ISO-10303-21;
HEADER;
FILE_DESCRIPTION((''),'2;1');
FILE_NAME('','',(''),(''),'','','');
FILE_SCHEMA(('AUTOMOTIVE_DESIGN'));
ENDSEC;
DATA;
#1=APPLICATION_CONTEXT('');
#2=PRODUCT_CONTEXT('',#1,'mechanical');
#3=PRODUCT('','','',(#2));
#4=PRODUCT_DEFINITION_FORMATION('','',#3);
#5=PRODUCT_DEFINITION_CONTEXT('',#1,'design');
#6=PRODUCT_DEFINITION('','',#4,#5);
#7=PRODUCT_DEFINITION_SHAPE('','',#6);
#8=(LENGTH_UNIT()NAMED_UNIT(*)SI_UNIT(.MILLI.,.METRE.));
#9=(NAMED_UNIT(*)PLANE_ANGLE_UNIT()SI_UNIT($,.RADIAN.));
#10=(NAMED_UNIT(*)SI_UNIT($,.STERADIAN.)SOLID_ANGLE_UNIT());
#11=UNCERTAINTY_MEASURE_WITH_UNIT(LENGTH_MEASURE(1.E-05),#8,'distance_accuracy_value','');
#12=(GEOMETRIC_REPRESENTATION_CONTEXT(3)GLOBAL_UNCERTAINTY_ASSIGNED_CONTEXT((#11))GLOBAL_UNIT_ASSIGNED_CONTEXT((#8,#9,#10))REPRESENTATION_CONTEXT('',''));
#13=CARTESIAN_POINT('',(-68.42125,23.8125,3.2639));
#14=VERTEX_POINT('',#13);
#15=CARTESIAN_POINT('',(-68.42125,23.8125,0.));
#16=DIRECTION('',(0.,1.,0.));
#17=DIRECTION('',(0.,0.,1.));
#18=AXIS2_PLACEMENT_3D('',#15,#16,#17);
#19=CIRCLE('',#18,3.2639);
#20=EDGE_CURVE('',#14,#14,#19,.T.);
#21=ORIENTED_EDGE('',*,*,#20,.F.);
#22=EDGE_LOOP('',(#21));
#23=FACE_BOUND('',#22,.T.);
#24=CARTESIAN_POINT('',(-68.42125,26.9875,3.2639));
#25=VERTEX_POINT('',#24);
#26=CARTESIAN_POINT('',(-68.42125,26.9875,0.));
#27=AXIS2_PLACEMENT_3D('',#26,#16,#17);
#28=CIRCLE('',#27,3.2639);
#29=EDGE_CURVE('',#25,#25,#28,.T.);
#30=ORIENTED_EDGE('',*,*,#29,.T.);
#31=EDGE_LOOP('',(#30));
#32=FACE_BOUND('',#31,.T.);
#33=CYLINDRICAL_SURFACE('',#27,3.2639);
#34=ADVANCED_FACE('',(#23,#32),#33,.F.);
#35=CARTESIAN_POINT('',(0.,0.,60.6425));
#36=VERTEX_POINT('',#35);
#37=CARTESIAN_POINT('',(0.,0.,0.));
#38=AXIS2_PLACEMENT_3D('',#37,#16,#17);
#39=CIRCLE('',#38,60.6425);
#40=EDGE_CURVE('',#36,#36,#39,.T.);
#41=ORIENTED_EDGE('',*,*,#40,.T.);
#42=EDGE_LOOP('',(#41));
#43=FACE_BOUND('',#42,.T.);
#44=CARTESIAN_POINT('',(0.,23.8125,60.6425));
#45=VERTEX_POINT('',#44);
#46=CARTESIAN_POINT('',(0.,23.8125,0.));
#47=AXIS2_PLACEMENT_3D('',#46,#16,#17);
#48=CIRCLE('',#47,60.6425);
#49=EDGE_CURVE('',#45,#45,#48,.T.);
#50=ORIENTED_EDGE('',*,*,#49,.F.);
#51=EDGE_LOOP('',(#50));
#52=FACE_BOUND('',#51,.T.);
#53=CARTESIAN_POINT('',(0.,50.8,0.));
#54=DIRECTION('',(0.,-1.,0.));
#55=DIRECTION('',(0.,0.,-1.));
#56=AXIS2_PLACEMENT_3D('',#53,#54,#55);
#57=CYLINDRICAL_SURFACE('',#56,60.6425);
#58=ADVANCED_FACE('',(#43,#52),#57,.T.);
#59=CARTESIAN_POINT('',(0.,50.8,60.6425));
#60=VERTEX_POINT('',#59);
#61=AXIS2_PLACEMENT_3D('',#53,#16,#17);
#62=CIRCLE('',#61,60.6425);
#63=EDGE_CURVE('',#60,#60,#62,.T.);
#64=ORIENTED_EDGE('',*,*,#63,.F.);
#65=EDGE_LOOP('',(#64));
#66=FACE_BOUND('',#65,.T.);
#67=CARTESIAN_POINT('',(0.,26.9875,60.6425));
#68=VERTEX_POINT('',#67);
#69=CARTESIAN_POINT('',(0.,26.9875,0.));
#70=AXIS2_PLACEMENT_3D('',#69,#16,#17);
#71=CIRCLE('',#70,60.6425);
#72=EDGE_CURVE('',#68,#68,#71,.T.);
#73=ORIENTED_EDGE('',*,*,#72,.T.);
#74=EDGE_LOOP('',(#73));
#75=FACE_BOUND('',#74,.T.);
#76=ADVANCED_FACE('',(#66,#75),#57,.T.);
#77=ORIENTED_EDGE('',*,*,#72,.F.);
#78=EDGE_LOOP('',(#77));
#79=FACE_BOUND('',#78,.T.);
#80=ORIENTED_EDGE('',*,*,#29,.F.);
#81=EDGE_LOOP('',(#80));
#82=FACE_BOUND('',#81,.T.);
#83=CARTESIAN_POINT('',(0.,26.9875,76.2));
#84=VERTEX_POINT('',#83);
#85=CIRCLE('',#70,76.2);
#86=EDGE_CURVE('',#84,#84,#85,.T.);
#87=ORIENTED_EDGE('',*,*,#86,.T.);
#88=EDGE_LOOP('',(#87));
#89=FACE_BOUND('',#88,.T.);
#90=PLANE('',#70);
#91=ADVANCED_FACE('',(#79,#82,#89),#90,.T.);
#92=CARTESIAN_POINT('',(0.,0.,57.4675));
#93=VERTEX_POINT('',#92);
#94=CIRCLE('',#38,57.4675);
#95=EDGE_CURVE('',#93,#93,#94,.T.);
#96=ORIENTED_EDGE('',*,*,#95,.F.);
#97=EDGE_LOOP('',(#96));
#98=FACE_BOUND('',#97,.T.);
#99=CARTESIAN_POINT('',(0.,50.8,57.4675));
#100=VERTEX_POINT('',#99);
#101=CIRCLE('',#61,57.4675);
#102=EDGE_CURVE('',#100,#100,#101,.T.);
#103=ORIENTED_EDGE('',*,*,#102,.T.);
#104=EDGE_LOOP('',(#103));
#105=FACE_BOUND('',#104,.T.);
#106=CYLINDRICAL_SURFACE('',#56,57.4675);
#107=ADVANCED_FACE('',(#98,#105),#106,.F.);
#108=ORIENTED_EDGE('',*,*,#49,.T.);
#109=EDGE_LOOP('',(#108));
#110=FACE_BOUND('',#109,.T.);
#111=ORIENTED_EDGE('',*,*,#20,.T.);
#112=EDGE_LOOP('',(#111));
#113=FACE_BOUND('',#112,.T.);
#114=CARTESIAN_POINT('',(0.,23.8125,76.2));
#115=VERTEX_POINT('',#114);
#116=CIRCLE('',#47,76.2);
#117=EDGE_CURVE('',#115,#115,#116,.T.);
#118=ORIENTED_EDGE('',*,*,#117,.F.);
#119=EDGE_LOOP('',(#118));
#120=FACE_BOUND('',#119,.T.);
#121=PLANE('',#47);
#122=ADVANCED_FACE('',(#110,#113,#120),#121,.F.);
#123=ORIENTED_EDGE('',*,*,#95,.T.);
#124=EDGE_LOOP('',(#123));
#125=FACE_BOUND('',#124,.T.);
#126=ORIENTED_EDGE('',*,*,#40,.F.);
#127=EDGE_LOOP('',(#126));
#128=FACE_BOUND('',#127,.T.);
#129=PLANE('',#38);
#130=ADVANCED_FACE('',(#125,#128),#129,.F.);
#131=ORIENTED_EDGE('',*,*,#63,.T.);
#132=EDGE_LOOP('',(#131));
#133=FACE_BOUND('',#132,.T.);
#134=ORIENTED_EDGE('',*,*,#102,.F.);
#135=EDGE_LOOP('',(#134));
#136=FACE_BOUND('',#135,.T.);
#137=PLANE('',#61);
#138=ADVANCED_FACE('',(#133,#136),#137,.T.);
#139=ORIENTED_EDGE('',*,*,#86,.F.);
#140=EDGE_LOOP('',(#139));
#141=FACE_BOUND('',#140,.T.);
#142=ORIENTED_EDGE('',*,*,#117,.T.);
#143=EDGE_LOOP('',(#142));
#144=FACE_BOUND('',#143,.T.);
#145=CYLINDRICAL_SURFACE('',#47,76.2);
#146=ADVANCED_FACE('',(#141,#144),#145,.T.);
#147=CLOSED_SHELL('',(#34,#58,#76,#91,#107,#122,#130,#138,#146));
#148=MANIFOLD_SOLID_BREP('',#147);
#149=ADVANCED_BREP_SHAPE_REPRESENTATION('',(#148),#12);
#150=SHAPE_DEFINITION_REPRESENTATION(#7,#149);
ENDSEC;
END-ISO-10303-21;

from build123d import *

# Parameters (mm, degrees)
SKETCH1_R                   = 60.6425
SKETCH1_R_2                 = 57.4675
BOSS_EXTRUDE1_DEPTH         = 50.8
BOSS_EXTRUDE2_START         = -26.9875
SKETCH2_R                   = 76.2
SKETCH2_R_2                 = 60.6425
BOSS_EXTRUDE2_DEPTH         = 3.175
F_1_4_CLEARANCE_HOLE1_D     = 6.5278
F_1_4_CLEARANCE_HOLE1_DEPTH = 38.354
F_1_4_CLEARANCE_HOLE1_TIP   = 1.961148974


with BuildPart() as part:
    # Sketch1 → Boss-Extrude1 (new body)
    with BuildSketch(Plane(origin=(0, 0, 0), x_dir=(1, 0, 0), z_dir=(0, 1, 0))):
        with Locations(Location((0, 0, 0), (0, 0, 270))):
            Circle(SKETCH1_R)
        with Locations(Location((0, 0, 0), (0, 0, 270))):
            Circle(SKETCH1_R_2, mode=Mode.SUBTRACT)
    extrude(amount=BOSS_EXTRUDE1_DEPTH)

    # Sketch2 → Boss-Extrude2 (add)
    with BuildSketch(Plane(origin=(0, 50.8, 0), x_dir=(1, 0, 0), z_dir=(0, 1, 0)).offset(BOSS_EXTRUDE2_START)):
        with Locations(Location((0, 0, 0), (0, 0, 270))):
            Circle(SKETCH2_R)
        with Locations(Location((0, 0, 0), (0, 0, 270))):
            Circle(SKETCH2_R_2, mode=Mode.SUBTRACT)
    extrude(amount=BOSS_EXTRUDE2_DEPTH)

    # 1/4 Clearance Hole1
    with Locations(Plane(origin=(0, 26.9875, 0), x_dir=(1, 0, 0), z_dir=(0, 1, 0))):
        with Locations((-68.42125, 0)):
            Hole(F_1_4_CLEARANCE_HOLE1_D / 2, depth=F_1_4_CLEARANCE_HOLE1_DEPTH)
            with Locations((0, 0, -(F_1_4_CLEARANCE_HOLE1_DEPTH + F_1_4_CLEARANCE_HOLE1_TIP / 2))):  # 118° drill point
                Cone(0, F_1_4_CLEARANCE_HOLE1_D / 2, F_1_4_CLEARANCE_HOLE1_TIP, mode=Mode.SUBTRACT)


solid = part.part
